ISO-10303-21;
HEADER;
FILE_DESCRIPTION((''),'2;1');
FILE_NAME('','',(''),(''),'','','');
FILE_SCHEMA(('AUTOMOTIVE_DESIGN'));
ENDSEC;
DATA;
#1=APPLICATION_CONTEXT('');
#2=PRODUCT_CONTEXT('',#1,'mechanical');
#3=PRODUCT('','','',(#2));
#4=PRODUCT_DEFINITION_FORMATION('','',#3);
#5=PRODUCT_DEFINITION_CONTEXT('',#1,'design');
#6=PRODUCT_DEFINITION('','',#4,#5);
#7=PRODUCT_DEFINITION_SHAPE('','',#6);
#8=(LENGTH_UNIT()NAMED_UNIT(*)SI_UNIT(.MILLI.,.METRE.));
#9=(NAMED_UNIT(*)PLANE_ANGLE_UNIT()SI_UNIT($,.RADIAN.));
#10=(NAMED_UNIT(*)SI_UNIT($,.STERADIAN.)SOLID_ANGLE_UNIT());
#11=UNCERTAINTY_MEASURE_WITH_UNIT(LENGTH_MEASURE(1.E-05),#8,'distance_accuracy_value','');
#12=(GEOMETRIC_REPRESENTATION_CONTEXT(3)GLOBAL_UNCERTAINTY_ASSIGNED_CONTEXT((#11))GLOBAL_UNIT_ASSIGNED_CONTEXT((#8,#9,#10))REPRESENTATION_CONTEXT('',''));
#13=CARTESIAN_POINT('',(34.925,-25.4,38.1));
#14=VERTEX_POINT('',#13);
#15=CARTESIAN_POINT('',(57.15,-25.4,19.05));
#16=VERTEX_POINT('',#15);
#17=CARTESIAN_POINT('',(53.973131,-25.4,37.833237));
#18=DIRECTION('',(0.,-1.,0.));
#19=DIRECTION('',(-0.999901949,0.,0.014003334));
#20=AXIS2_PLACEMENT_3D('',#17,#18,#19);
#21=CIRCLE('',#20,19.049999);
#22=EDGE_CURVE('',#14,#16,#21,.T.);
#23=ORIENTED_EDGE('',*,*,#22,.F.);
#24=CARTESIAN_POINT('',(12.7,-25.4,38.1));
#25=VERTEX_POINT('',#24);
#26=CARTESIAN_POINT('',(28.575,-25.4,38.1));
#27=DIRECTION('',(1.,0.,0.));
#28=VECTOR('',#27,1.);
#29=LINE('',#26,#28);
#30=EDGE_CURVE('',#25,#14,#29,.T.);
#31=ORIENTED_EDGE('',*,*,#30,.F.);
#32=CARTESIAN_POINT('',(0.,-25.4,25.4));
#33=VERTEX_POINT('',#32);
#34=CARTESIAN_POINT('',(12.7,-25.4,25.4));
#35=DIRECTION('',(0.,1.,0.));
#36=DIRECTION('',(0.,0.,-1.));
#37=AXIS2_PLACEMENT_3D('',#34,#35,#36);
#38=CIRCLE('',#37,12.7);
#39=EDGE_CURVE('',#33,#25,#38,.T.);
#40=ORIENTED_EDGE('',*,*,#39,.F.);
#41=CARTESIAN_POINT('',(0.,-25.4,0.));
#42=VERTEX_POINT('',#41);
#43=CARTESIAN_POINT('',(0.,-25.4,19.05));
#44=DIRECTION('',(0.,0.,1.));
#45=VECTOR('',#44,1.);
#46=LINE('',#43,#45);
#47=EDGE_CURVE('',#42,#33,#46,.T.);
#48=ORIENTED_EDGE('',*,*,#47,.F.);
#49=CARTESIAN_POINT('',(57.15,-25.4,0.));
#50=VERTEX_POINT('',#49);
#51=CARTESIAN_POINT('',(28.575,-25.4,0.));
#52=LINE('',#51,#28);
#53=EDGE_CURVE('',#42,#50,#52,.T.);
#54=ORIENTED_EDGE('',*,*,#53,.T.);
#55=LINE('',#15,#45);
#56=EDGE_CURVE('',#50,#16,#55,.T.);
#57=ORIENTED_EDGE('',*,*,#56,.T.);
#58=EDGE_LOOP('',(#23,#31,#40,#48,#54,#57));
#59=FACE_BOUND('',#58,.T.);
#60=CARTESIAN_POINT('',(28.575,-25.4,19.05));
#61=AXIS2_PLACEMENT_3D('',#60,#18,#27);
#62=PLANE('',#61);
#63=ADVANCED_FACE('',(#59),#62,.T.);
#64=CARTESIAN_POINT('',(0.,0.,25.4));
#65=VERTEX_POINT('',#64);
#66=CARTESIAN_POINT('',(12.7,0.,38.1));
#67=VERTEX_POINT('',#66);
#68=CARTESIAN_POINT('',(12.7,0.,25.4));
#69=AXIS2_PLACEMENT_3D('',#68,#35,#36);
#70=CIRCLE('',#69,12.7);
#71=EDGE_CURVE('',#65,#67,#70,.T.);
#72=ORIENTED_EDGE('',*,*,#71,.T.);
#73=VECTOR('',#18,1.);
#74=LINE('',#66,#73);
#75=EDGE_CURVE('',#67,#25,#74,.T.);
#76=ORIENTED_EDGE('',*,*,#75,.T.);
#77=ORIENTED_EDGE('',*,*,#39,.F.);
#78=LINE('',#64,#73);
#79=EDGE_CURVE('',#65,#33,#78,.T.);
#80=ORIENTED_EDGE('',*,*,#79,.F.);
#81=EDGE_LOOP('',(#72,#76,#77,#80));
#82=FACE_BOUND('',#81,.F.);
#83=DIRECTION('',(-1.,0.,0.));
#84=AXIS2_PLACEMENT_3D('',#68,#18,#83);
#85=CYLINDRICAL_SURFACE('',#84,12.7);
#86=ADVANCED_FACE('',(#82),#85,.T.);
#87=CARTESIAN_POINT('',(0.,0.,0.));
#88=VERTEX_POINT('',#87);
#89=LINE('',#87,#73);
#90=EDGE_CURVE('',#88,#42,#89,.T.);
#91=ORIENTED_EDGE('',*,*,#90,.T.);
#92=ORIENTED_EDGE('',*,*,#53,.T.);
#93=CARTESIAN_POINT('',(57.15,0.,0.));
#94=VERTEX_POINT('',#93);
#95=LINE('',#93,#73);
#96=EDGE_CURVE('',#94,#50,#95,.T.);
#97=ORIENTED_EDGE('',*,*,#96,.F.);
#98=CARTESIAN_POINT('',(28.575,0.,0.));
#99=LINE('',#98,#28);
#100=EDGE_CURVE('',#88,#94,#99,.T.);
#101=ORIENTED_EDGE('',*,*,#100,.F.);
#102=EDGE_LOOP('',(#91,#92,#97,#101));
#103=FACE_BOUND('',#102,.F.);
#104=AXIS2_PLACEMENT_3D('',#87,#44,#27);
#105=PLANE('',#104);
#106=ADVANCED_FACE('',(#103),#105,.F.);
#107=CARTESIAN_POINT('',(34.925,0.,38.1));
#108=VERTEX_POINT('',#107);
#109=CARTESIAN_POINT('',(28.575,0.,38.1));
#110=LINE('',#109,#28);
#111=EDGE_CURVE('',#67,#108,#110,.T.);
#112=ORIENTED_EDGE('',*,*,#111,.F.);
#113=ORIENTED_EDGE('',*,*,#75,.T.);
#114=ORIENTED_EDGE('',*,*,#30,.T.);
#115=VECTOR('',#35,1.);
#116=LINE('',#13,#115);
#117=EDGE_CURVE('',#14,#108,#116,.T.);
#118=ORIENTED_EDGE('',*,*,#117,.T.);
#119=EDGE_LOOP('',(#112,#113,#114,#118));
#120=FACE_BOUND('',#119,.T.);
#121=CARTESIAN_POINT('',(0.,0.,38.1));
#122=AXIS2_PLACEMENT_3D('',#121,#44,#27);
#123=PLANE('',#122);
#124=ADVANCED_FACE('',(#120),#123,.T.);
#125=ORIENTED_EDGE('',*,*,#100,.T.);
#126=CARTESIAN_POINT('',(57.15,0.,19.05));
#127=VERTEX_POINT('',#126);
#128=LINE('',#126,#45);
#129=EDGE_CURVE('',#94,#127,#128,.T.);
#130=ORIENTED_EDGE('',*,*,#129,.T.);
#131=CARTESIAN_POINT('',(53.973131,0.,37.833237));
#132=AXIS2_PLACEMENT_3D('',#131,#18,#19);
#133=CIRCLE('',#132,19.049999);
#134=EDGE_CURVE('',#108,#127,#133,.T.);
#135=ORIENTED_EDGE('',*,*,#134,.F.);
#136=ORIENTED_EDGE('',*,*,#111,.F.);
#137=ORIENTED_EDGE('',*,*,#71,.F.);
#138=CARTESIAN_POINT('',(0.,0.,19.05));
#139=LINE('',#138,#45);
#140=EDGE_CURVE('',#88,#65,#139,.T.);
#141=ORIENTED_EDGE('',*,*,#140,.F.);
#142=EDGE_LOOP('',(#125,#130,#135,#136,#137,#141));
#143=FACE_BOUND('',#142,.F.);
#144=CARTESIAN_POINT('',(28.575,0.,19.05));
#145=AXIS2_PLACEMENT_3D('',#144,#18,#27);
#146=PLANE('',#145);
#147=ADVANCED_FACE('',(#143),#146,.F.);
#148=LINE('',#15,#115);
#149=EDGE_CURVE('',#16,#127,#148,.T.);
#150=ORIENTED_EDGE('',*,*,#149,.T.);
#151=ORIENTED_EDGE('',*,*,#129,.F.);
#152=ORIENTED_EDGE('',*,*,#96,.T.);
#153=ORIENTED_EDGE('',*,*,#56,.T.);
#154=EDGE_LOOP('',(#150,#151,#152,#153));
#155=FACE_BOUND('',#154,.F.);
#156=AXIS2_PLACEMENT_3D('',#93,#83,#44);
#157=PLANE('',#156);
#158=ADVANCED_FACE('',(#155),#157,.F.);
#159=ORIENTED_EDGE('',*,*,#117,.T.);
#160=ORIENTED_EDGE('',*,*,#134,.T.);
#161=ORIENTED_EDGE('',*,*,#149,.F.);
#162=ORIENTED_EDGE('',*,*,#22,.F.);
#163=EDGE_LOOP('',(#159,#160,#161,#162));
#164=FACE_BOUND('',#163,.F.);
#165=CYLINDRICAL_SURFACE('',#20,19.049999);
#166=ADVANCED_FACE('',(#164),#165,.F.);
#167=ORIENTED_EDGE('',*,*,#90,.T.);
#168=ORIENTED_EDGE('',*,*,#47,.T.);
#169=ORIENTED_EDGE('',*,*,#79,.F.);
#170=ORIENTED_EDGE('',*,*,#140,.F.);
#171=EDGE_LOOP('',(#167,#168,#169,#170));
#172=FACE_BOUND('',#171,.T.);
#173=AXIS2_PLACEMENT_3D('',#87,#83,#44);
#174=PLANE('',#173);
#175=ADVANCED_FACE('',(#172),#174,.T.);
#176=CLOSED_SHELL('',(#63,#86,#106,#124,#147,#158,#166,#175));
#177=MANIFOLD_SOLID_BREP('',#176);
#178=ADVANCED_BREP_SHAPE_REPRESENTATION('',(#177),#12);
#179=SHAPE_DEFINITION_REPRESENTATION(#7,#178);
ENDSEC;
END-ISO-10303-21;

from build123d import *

# Parameters (mm, degrees)
F0_W     = 57.15
F0_H     = 38.1
F1_DEPTH = 25.4
F2_R     = 12.7
F4_DEPTH = 25.4


with BuildPart() as f1:
    # F0 (on Front) → F1 (new body)
    with BuildSketch(Plane.XZ):
        with Locations((28.575, 19.05)):
            Rectangle(F0_W, F0_H)
    extrude(amount=F1_DEPTH)

    # F2
    f2_edges = [f1.edges().sort_by_distance(p)[0] for p in [
        (0, -12.7, 38.1),
    ]]
    fillet(f2_edges, radius=F2_R)

    # F3 (on face) → F4 (cut)
    with BuildSketch(Plane.XZ.offset(25.4)):
        with BuildLine():
            Line((57.15, 38.1), (34.925, 38.1))
            ThreePointArc((34.925, 38.1), (41.575556, 23.369399), (57.15, 19.05))
            Line((57.15, 19.05), (57.15, 38.1))
        make_face()
    extrude(amount=-F4_DEPTH, mode=Mode.SUBTRACT)


solid = f1.part
